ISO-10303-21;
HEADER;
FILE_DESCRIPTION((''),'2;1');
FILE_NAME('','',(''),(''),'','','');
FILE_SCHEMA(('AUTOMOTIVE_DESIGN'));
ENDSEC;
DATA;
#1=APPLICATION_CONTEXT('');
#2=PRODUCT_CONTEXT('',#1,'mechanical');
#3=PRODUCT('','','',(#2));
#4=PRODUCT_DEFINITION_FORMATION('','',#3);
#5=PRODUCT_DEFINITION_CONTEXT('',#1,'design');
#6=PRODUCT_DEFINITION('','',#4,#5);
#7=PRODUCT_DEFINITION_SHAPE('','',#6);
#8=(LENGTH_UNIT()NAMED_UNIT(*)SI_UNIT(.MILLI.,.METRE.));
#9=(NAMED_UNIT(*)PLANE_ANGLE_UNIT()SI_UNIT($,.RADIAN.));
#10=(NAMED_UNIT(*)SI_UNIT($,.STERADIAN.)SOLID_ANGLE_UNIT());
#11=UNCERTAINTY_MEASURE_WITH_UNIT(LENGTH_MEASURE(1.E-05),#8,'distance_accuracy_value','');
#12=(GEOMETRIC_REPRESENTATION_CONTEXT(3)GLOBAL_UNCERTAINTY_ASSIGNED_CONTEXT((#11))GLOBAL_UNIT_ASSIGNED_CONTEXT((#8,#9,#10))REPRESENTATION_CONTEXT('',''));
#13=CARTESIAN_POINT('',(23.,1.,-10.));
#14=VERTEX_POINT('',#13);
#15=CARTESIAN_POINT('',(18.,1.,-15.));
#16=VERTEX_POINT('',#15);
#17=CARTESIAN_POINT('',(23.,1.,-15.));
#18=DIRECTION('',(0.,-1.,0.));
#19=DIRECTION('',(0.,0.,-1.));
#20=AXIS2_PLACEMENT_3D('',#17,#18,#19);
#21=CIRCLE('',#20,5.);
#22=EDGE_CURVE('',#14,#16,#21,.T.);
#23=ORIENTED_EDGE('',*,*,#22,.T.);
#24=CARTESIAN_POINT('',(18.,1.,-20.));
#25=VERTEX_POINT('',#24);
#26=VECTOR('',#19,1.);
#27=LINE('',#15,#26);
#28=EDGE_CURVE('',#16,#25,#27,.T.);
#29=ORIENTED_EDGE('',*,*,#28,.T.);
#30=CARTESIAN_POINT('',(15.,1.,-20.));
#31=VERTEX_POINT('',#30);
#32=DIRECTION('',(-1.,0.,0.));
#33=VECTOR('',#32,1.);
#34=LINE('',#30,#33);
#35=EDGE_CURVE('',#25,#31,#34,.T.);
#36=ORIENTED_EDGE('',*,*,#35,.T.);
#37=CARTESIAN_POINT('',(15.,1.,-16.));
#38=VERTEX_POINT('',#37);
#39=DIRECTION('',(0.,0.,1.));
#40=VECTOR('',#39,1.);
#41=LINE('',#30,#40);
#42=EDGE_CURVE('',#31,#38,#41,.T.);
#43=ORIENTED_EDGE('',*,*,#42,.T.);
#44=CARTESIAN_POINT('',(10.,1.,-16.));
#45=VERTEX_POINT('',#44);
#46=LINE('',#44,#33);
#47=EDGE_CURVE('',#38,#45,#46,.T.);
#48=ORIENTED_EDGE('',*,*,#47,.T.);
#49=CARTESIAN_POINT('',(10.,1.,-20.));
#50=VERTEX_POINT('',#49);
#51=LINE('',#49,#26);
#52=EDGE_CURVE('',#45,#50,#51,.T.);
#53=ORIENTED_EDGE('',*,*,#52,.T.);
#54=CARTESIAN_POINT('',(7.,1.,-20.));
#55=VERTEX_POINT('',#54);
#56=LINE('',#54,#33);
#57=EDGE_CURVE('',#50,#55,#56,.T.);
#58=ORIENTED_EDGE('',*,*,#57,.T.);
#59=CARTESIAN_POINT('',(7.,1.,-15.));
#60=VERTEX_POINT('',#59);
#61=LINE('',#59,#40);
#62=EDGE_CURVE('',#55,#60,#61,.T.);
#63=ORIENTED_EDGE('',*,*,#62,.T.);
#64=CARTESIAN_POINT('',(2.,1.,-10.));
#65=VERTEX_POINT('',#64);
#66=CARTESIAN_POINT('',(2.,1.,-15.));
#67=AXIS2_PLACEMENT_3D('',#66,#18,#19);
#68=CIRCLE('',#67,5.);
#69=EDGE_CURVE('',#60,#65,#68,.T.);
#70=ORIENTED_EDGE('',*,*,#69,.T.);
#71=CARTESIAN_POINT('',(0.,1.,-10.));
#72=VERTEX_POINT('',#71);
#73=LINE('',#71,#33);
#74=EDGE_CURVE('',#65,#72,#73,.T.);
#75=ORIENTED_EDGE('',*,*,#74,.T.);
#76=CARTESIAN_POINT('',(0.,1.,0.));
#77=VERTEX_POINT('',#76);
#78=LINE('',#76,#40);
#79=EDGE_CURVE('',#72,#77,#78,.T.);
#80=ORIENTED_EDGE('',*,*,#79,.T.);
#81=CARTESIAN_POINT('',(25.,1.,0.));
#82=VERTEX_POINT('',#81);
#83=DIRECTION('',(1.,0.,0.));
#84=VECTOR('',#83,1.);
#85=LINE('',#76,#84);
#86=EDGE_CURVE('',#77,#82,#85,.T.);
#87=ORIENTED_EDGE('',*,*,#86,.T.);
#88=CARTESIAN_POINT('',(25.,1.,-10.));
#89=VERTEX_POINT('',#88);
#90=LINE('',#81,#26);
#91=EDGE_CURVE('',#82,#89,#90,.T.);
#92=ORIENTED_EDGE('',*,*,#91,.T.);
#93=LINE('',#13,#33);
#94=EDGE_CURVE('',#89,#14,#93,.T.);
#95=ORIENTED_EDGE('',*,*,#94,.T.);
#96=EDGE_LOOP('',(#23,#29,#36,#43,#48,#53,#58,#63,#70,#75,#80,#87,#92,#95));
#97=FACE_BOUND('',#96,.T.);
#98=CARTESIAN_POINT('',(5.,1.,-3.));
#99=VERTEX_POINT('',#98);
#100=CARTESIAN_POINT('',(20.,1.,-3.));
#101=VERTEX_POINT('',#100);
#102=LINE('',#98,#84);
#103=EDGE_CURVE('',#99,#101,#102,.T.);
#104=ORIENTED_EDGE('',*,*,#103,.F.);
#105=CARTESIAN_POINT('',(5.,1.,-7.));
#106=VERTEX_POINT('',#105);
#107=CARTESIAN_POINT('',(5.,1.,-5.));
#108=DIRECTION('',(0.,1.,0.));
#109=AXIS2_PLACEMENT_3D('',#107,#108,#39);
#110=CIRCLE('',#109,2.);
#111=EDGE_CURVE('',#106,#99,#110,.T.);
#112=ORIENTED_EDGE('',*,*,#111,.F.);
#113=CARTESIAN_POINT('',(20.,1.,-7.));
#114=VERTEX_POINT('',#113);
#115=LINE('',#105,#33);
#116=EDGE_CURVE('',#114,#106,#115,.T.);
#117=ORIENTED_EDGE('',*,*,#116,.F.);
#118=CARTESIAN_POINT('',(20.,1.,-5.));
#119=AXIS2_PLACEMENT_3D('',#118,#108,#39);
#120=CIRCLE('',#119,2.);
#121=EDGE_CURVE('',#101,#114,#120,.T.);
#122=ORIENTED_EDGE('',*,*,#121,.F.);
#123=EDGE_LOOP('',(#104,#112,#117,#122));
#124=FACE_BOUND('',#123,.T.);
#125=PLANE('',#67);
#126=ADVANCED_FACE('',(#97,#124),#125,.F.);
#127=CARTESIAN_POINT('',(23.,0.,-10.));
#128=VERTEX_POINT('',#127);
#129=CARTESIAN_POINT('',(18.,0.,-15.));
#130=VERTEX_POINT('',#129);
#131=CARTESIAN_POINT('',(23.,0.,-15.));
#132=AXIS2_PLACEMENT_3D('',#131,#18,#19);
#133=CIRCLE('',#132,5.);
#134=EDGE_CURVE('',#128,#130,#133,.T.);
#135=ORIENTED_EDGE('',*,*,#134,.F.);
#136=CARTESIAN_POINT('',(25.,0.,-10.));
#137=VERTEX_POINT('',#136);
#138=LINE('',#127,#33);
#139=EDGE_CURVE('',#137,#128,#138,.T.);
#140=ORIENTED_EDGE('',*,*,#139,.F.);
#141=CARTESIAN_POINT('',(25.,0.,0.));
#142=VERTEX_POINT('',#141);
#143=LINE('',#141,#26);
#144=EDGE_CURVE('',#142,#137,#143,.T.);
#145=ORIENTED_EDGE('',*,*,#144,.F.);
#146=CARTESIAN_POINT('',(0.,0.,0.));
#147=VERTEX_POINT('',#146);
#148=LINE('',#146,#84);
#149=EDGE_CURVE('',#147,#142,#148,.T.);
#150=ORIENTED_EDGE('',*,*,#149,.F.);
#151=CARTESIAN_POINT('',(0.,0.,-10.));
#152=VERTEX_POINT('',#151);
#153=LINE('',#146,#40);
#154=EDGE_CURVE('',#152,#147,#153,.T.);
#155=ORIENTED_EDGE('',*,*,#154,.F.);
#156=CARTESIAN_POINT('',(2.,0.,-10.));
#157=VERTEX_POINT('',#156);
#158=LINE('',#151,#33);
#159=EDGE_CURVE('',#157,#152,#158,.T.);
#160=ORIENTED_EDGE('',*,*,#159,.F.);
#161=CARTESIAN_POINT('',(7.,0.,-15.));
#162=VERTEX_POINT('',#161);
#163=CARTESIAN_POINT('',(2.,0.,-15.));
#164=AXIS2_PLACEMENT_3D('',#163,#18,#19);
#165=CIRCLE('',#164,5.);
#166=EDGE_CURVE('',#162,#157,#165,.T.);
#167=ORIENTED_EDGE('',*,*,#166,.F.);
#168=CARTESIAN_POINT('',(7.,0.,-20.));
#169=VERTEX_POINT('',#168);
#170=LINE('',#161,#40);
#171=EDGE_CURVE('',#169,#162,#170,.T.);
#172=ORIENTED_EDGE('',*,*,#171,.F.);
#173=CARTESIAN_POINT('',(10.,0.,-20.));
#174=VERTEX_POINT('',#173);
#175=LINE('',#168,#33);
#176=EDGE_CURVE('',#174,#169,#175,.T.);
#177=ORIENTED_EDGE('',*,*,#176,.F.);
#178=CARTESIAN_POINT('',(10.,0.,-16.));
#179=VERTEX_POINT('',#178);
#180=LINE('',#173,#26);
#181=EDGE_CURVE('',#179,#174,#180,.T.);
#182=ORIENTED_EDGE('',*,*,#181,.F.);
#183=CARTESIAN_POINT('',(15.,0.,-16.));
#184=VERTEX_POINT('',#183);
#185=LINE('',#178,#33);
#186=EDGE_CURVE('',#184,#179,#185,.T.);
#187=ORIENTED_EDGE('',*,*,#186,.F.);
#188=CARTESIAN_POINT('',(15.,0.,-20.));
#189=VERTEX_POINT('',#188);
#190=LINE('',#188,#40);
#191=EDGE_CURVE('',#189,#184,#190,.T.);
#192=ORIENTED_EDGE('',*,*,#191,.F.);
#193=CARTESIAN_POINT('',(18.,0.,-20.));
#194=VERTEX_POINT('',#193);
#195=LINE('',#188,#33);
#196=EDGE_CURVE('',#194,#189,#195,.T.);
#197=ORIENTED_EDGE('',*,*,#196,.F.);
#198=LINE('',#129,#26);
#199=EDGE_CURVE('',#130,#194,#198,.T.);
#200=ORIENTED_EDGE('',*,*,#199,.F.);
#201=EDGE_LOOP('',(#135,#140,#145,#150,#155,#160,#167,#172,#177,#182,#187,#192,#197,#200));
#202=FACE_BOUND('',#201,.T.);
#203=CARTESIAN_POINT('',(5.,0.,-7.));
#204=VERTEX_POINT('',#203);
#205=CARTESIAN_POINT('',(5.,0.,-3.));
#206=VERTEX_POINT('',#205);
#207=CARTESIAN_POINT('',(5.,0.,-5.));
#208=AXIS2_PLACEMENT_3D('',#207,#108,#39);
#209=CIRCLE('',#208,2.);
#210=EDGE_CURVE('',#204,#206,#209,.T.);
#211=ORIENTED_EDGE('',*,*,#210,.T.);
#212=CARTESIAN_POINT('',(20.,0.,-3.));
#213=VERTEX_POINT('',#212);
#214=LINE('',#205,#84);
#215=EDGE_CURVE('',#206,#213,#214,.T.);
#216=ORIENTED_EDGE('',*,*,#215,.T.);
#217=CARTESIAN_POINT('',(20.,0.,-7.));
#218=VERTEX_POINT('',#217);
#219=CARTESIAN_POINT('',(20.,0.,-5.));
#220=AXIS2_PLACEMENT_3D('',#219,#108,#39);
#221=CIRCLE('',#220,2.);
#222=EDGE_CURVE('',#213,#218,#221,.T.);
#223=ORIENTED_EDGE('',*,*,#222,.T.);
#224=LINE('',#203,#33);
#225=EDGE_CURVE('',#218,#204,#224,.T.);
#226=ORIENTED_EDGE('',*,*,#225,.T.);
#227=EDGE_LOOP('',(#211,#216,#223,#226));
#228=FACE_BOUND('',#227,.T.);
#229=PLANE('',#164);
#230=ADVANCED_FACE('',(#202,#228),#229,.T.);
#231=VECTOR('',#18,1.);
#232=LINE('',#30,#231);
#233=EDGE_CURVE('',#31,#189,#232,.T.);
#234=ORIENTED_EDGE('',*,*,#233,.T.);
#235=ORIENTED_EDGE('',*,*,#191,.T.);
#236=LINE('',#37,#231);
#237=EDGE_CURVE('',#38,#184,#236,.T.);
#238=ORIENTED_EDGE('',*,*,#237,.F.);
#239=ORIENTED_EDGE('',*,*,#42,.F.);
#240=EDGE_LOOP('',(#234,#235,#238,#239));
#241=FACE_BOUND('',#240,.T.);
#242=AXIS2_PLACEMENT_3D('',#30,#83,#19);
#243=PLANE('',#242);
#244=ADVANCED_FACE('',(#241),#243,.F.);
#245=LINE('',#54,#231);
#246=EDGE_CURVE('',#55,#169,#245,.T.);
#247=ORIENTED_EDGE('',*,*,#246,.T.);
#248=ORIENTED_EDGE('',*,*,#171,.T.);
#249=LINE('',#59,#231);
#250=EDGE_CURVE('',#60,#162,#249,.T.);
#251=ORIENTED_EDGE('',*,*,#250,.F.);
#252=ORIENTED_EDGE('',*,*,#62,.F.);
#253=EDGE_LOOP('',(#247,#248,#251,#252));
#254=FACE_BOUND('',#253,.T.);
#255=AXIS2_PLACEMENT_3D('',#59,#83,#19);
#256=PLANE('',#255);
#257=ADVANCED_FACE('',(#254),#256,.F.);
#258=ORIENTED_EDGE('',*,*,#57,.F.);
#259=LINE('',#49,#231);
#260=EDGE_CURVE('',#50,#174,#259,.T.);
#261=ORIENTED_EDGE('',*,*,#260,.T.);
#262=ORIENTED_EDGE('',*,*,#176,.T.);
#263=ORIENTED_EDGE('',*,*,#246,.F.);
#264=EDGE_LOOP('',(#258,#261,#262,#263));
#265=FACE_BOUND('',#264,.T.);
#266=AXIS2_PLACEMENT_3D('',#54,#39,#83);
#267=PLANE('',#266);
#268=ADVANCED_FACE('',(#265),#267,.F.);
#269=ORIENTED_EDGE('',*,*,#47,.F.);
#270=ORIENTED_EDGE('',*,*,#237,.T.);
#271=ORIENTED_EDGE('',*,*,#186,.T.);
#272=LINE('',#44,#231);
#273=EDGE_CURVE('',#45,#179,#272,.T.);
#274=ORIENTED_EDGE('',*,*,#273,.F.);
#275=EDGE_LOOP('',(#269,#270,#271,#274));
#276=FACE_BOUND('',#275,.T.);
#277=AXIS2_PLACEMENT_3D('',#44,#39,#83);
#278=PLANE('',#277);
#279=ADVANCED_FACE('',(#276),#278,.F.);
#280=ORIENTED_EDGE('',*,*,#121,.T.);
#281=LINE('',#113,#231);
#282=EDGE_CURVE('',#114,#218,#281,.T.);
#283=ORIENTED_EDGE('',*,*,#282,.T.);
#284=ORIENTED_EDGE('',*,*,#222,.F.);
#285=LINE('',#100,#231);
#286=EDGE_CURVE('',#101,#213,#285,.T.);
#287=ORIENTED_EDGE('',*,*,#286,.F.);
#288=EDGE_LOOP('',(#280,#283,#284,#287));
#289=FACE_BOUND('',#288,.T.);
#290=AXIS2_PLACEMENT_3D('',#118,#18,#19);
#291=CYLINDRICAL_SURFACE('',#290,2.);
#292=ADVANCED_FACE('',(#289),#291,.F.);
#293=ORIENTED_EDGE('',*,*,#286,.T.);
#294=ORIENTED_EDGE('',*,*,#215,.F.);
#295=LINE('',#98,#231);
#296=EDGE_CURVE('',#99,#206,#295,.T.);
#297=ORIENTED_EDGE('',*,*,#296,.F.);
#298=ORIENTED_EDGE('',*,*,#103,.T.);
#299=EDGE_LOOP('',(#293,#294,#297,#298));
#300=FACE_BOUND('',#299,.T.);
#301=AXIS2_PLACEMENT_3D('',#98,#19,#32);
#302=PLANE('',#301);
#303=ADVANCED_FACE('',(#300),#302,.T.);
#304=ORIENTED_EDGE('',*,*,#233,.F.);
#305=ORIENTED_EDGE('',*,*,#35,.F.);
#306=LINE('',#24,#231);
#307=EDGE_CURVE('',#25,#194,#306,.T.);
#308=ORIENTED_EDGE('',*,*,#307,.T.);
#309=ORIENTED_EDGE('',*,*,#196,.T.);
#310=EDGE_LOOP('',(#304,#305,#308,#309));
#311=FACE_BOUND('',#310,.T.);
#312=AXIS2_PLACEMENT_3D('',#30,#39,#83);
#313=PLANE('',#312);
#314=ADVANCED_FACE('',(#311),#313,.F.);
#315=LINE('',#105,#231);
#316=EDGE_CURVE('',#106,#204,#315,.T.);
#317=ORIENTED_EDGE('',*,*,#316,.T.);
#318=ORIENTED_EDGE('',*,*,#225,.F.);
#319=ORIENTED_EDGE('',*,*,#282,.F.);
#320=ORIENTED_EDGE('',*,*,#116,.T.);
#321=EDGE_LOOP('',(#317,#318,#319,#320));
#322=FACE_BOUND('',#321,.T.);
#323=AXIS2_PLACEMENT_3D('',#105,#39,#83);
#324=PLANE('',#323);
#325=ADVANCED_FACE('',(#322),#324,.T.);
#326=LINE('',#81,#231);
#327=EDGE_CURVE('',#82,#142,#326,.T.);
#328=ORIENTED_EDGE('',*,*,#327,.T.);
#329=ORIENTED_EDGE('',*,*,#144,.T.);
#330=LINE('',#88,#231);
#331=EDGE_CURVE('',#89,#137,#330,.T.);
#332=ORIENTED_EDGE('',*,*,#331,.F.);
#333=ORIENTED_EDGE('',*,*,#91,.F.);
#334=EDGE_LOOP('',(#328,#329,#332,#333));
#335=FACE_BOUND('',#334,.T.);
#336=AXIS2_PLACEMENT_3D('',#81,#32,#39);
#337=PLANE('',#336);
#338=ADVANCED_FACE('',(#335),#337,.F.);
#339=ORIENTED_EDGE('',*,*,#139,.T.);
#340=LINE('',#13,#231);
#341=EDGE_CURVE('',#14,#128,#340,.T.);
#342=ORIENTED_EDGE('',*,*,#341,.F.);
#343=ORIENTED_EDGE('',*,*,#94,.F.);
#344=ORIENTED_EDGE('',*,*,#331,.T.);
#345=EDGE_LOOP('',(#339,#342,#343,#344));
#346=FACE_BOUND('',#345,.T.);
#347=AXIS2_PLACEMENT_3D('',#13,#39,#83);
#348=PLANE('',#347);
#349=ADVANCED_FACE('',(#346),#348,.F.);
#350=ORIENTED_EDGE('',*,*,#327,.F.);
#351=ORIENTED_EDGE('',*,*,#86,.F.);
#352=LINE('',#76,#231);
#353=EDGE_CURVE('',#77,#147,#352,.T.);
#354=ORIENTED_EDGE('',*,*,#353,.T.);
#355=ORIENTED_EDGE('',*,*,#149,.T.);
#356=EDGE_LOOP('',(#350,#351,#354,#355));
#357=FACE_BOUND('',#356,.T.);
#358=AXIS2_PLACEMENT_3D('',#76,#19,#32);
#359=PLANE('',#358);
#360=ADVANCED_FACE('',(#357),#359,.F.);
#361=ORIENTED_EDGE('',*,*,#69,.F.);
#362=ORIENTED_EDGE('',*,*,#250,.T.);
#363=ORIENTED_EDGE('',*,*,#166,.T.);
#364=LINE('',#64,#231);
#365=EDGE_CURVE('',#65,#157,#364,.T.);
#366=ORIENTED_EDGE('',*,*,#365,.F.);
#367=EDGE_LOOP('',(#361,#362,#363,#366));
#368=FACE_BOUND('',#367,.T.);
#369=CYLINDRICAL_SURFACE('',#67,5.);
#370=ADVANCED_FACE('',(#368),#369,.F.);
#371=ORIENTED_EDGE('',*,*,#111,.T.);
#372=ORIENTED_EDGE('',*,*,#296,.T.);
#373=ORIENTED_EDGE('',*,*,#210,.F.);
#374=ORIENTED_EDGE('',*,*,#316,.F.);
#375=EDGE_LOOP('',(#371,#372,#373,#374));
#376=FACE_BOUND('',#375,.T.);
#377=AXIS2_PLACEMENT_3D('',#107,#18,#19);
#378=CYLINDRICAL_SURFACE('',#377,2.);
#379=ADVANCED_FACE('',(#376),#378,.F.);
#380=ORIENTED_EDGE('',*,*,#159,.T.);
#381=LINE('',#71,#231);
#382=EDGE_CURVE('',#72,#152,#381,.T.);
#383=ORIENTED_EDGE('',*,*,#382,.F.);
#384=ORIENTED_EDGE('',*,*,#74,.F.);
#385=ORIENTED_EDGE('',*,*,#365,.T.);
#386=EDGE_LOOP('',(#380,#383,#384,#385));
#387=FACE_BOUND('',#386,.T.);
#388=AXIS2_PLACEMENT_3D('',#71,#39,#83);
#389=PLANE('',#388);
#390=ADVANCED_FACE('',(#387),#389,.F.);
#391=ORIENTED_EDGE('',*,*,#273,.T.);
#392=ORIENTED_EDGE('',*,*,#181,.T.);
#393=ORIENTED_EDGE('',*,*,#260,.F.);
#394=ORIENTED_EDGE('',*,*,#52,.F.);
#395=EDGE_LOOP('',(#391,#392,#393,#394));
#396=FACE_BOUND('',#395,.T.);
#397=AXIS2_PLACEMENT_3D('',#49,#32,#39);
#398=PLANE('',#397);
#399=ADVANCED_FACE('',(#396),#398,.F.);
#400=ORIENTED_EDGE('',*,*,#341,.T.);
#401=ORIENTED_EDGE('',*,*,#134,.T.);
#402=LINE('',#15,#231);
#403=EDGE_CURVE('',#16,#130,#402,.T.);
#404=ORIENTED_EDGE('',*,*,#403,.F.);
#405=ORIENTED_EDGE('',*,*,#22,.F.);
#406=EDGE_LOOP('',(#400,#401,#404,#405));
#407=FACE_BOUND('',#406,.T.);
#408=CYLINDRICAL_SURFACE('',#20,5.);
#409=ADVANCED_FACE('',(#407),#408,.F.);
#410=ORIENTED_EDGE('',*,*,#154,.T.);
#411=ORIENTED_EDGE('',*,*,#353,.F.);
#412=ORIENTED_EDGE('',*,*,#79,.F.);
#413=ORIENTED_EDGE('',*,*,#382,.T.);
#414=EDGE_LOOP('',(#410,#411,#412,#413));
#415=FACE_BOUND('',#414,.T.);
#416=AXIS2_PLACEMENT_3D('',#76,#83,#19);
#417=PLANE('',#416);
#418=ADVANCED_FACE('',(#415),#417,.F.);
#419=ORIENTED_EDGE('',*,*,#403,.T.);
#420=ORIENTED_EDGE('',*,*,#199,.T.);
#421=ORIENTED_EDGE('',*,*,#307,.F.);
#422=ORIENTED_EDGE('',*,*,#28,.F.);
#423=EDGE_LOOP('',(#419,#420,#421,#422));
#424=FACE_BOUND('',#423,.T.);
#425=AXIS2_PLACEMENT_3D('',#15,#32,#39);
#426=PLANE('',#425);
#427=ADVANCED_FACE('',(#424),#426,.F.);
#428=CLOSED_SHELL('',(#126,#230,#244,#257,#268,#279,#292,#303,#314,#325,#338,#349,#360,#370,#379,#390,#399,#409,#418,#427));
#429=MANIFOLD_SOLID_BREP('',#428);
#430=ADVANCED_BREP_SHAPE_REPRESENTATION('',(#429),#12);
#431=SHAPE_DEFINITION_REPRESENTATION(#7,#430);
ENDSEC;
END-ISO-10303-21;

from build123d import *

# Parameters (mm, degrees)
BOSS_EXTRUDE1_DEPTH = 1


with BuildPart() as part:
    # Sketch1 → Boss-Extrude1 (new body)
    with BuildSketch(Plane(origin=(0, 0, 0), x_dir=(1, 0, 0), z_dir=(0, 1, 0))):
        with BuildLine():
            Line((0, 0), (25, 0))
            Line((25, 0), (25, 10))
            Line((25, 10), (23, 10))
            ThreePointArc((23, 10), (19.464466094, 11.464466094), (18, 15))
            Line((18, 15), (18, 20))
            Line((18, 20), (15, 20))
            Line((15, 20), (15, 16))
            Line((15, 16), (10, 16))
            Line((10, 16), (10, 20))
            Line((10, 20), (7, 20))
            Line((7, 20), (7, 15))
            ThreePointArc((7, 15), (5.535533906, 11.464466094), (2, 10))
            Line((2, 10), (0, 10))
            Line((0, 10), (0, 0))
        make_face()
        with BuildLine():
            Line((5, 7), (20, 7))
            ThreePointArc((20, 7), (22, 5), (20, 3))
            Line((20, 3), (5, 3))
            ThreePointArc((5, 3), (3, 5), (5, 7))
        make_face(mode=Mode.SUBTRACT)
    extrude(amount=BOSS_EXTRUDE1_DEPTH)


solid = part.part
